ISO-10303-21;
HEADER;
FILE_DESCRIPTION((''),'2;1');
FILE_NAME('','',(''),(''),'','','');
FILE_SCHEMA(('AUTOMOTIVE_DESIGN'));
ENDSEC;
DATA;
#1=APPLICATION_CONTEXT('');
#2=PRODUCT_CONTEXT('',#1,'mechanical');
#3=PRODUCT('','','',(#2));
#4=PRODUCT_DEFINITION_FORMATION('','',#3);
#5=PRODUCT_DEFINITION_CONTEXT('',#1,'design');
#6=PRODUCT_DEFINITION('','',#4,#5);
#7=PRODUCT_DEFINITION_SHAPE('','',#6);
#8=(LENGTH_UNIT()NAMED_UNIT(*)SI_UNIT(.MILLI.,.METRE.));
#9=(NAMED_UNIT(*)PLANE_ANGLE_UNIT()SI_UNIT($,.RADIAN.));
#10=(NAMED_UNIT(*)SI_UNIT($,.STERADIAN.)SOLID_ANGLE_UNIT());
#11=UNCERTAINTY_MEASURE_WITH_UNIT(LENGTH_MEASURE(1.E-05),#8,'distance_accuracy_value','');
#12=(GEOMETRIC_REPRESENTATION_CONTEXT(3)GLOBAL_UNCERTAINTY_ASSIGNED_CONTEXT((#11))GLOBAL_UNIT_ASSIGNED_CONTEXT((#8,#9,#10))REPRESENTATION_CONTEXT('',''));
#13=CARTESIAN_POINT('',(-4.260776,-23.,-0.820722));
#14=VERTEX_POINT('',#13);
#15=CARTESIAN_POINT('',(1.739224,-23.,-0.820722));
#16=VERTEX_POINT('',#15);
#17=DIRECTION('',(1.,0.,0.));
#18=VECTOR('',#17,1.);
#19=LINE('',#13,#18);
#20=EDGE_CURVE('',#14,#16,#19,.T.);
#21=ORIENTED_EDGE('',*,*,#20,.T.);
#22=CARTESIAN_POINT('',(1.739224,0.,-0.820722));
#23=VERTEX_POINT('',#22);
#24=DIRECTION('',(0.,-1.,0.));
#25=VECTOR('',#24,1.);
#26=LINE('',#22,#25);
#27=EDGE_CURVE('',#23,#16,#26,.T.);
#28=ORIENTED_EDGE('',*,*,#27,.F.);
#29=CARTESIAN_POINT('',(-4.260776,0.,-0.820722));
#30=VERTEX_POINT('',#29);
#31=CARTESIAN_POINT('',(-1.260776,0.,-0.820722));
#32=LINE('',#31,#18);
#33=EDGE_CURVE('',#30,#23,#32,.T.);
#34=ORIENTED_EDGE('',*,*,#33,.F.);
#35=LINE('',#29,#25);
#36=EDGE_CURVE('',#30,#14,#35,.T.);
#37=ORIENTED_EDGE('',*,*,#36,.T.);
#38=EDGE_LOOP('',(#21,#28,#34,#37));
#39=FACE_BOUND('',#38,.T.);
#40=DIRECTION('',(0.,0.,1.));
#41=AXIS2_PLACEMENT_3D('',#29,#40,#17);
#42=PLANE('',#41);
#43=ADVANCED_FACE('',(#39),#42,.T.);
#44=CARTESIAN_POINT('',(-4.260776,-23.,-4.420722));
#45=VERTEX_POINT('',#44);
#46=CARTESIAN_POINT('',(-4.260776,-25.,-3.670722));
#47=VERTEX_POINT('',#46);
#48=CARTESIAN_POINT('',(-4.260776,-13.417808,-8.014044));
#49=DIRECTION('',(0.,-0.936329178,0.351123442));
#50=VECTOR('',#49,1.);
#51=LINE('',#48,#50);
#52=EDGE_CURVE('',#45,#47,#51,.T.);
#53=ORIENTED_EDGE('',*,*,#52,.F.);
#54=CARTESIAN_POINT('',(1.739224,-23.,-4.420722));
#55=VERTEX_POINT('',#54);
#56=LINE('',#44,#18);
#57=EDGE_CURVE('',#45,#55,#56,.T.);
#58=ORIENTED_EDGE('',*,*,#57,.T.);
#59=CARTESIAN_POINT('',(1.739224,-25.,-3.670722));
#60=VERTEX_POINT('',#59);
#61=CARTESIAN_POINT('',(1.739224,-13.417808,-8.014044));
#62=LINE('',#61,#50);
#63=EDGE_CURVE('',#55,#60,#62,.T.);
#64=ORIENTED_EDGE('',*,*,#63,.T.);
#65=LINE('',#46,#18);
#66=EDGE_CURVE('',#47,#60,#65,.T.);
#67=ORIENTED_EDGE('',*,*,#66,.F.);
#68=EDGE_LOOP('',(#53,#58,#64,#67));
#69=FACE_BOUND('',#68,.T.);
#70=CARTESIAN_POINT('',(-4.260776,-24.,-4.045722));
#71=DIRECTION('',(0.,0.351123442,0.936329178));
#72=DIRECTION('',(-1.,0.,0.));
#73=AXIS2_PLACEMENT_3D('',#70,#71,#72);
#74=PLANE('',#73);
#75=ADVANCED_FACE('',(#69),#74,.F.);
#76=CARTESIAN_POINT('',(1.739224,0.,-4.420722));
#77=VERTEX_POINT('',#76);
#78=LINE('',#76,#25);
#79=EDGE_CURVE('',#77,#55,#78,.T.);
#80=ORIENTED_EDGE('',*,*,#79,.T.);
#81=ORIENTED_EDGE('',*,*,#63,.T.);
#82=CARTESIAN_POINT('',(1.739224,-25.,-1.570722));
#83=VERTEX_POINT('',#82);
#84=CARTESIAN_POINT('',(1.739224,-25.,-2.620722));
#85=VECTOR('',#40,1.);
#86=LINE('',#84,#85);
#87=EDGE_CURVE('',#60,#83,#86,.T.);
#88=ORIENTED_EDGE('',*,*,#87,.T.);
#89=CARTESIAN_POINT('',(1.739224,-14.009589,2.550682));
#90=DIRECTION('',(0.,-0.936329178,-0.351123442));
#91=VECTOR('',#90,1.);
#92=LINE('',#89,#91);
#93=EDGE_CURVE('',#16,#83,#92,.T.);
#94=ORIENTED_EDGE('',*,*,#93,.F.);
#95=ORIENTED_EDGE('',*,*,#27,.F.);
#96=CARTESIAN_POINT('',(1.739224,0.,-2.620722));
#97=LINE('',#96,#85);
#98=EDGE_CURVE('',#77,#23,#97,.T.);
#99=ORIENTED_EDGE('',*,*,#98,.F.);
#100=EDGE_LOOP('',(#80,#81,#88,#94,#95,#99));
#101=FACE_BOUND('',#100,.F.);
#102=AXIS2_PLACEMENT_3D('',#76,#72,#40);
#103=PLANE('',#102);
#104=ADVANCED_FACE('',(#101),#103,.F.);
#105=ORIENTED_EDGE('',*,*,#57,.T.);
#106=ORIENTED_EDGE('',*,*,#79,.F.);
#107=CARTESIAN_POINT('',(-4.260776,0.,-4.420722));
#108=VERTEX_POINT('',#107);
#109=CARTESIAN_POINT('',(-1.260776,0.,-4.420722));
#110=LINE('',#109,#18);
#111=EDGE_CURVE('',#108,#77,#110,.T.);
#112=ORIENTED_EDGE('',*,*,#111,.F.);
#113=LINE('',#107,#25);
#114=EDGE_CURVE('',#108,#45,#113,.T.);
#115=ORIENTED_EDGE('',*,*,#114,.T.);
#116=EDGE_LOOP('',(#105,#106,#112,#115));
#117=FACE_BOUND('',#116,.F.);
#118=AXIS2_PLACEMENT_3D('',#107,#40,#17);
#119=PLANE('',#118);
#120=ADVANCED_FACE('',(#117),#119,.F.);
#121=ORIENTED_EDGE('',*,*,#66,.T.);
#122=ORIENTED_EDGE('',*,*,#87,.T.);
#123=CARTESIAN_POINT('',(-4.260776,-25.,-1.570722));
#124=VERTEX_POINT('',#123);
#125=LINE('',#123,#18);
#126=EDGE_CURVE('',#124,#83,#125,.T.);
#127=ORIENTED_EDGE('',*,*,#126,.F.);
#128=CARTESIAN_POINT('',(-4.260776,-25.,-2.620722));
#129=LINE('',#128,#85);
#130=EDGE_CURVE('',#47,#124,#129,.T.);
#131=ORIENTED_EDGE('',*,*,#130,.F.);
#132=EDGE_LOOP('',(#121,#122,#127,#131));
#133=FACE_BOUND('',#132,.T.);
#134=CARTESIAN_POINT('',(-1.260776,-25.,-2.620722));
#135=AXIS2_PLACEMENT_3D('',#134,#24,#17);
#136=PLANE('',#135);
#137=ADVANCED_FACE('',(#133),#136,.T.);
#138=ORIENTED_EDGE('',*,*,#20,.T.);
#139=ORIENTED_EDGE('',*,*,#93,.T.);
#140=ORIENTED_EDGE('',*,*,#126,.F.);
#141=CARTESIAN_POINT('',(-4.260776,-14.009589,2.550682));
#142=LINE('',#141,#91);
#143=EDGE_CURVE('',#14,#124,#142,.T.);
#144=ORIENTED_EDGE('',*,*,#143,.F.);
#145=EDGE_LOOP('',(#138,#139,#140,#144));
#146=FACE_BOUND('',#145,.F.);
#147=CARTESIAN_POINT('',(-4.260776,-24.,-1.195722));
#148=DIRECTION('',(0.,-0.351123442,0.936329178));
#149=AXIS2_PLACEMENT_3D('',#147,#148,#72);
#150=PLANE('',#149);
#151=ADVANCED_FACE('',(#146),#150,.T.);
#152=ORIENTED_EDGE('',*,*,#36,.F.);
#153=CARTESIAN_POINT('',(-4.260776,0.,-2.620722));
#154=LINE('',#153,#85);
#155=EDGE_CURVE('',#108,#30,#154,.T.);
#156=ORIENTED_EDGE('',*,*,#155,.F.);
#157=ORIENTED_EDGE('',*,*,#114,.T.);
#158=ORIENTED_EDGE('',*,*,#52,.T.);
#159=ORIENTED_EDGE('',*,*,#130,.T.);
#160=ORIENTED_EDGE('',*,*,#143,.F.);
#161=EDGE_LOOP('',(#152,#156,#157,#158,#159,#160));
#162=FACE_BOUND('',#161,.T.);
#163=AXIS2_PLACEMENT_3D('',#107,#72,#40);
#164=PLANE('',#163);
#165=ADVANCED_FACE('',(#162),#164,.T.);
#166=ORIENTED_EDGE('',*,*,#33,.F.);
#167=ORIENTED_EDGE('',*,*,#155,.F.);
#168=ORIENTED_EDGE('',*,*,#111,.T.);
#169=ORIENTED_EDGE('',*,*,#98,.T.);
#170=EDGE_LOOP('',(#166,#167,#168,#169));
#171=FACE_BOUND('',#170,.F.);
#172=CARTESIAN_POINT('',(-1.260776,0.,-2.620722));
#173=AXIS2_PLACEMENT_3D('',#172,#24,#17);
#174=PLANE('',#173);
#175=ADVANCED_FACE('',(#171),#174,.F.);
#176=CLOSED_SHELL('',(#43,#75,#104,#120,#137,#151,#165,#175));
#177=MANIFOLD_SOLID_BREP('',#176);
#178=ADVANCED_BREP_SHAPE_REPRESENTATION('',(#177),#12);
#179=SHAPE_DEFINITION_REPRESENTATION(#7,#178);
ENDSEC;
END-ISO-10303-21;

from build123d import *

# Parameters (mm, degrees)
F0_W     = 6
F0_H     = 3.6
F1_DEPTH = 25
F2_SIZE2 = 0.75
F2_SIZE  = 2


with BuildPart() as f1:
    # F0 (on Front) → F1 (new body)
    with BuildSketch(Plane.XZ):
        with Locations((-1.260776, -2.620722)):
            Rectangle(F0_W, F0_H)
    extrude(amount=F1_DEPTH)

    # F2
    f2_edges = [f1.edges().sort_by_distance(p)[0] for p in [
        (-1.260776, -25, -0.820722),
        (-1.260776, -25, -4.420722),
    ]]
    chamfer(f2_edges, length=F2_SIZE, length2=F2_SIZE2)


solid = f1.part
